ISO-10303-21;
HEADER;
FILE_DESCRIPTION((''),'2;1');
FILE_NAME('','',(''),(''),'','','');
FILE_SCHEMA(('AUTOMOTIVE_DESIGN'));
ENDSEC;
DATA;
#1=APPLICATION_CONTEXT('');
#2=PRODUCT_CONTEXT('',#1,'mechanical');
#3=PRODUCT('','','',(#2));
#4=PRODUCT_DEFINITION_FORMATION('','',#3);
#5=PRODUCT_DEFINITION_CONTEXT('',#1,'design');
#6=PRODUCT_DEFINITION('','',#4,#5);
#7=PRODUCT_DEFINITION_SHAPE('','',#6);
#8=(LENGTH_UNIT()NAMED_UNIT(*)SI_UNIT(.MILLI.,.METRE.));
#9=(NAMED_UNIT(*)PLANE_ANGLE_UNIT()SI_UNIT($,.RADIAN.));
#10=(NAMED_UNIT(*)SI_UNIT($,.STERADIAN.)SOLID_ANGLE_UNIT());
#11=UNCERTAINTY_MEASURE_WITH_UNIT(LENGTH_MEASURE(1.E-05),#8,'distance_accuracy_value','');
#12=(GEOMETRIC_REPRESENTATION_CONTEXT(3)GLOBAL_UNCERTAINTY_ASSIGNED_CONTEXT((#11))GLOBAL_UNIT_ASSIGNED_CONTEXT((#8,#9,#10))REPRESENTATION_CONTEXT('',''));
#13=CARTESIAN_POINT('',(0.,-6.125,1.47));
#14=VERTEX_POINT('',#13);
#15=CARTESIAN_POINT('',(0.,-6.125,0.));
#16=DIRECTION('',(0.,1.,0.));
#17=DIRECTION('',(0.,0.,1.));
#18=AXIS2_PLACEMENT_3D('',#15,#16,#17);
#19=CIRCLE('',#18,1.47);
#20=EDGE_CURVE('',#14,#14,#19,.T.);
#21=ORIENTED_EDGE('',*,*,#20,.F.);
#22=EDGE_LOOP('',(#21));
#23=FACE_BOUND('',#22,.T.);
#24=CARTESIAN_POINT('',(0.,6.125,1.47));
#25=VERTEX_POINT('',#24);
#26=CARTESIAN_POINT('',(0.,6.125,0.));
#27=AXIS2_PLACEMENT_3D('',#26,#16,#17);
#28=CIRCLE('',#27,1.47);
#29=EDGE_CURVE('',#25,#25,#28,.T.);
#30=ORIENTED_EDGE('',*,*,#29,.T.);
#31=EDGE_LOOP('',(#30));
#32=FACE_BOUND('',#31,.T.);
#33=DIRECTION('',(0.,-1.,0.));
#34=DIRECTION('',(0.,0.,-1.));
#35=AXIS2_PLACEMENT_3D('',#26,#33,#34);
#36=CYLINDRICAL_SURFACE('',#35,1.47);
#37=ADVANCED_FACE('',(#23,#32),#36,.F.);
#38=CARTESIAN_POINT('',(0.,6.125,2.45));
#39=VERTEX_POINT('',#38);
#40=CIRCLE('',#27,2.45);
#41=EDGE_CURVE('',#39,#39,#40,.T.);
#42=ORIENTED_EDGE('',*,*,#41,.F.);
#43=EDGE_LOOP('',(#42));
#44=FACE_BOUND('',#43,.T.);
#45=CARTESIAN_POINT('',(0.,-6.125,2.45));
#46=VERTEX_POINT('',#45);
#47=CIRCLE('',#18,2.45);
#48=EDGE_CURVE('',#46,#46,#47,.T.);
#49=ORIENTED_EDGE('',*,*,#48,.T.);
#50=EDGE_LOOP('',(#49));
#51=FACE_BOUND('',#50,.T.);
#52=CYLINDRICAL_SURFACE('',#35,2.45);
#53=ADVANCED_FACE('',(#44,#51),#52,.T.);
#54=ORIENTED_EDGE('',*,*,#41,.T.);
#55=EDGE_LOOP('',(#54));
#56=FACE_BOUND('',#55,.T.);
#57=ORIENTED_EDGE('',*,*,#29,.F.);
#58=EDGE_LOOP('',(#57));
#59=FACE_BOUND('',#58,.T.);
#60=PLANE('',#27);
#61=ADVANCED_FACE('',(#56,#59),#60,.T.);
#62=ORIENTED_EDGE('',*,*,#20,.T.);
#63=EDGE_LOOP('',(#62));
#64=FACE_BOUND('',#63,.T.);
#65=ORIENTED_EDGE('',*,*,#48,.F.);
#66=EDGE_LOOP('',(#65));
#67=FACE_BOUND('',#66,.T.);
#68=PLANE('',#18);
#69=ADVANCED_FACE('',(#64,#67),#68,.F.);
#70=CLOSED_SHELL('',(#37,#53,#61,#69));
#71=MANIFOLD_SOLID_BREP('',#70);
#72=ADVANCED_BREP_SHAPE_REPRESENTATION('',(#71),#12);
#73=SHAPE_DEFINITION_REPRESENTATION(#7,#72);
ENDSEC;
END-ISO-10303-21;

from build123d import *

# Parameters (mm, degrees)
SKETCH1_R           = 10
SKETCH1_R_2         = 6
BOSS_EXTRUDE1_DEPTH = 25
SCALE1_SCALE        = 0.245


with BuildPart() as part:
    # Sketch1 → Boss-Extrude1 (new, symmetric)
    with BuildSketch(Plane(origin=(0, 0, 0), x_dir=(1, 0, 0), z_dir=(0, 1, 0))):
        with Locations(Location((0, 0, 0), (0, 0, 270))):
            Circle(SKETCH1_R)
        with Locations(Location((0, 0, 0), (0, 0, 270))):
            Circle(SKETCH1_R_2, mode=Mode.SUBTRACT)
    extrude(amount=BOSS_EXTRUDE1_DEPTH, both=True)


with BuildPart() as part_1:
    # Scale1: scaled about (0, 0, 0)
    add(part.part.scale(SCALE1_SCALE))


solid = part_1.part
